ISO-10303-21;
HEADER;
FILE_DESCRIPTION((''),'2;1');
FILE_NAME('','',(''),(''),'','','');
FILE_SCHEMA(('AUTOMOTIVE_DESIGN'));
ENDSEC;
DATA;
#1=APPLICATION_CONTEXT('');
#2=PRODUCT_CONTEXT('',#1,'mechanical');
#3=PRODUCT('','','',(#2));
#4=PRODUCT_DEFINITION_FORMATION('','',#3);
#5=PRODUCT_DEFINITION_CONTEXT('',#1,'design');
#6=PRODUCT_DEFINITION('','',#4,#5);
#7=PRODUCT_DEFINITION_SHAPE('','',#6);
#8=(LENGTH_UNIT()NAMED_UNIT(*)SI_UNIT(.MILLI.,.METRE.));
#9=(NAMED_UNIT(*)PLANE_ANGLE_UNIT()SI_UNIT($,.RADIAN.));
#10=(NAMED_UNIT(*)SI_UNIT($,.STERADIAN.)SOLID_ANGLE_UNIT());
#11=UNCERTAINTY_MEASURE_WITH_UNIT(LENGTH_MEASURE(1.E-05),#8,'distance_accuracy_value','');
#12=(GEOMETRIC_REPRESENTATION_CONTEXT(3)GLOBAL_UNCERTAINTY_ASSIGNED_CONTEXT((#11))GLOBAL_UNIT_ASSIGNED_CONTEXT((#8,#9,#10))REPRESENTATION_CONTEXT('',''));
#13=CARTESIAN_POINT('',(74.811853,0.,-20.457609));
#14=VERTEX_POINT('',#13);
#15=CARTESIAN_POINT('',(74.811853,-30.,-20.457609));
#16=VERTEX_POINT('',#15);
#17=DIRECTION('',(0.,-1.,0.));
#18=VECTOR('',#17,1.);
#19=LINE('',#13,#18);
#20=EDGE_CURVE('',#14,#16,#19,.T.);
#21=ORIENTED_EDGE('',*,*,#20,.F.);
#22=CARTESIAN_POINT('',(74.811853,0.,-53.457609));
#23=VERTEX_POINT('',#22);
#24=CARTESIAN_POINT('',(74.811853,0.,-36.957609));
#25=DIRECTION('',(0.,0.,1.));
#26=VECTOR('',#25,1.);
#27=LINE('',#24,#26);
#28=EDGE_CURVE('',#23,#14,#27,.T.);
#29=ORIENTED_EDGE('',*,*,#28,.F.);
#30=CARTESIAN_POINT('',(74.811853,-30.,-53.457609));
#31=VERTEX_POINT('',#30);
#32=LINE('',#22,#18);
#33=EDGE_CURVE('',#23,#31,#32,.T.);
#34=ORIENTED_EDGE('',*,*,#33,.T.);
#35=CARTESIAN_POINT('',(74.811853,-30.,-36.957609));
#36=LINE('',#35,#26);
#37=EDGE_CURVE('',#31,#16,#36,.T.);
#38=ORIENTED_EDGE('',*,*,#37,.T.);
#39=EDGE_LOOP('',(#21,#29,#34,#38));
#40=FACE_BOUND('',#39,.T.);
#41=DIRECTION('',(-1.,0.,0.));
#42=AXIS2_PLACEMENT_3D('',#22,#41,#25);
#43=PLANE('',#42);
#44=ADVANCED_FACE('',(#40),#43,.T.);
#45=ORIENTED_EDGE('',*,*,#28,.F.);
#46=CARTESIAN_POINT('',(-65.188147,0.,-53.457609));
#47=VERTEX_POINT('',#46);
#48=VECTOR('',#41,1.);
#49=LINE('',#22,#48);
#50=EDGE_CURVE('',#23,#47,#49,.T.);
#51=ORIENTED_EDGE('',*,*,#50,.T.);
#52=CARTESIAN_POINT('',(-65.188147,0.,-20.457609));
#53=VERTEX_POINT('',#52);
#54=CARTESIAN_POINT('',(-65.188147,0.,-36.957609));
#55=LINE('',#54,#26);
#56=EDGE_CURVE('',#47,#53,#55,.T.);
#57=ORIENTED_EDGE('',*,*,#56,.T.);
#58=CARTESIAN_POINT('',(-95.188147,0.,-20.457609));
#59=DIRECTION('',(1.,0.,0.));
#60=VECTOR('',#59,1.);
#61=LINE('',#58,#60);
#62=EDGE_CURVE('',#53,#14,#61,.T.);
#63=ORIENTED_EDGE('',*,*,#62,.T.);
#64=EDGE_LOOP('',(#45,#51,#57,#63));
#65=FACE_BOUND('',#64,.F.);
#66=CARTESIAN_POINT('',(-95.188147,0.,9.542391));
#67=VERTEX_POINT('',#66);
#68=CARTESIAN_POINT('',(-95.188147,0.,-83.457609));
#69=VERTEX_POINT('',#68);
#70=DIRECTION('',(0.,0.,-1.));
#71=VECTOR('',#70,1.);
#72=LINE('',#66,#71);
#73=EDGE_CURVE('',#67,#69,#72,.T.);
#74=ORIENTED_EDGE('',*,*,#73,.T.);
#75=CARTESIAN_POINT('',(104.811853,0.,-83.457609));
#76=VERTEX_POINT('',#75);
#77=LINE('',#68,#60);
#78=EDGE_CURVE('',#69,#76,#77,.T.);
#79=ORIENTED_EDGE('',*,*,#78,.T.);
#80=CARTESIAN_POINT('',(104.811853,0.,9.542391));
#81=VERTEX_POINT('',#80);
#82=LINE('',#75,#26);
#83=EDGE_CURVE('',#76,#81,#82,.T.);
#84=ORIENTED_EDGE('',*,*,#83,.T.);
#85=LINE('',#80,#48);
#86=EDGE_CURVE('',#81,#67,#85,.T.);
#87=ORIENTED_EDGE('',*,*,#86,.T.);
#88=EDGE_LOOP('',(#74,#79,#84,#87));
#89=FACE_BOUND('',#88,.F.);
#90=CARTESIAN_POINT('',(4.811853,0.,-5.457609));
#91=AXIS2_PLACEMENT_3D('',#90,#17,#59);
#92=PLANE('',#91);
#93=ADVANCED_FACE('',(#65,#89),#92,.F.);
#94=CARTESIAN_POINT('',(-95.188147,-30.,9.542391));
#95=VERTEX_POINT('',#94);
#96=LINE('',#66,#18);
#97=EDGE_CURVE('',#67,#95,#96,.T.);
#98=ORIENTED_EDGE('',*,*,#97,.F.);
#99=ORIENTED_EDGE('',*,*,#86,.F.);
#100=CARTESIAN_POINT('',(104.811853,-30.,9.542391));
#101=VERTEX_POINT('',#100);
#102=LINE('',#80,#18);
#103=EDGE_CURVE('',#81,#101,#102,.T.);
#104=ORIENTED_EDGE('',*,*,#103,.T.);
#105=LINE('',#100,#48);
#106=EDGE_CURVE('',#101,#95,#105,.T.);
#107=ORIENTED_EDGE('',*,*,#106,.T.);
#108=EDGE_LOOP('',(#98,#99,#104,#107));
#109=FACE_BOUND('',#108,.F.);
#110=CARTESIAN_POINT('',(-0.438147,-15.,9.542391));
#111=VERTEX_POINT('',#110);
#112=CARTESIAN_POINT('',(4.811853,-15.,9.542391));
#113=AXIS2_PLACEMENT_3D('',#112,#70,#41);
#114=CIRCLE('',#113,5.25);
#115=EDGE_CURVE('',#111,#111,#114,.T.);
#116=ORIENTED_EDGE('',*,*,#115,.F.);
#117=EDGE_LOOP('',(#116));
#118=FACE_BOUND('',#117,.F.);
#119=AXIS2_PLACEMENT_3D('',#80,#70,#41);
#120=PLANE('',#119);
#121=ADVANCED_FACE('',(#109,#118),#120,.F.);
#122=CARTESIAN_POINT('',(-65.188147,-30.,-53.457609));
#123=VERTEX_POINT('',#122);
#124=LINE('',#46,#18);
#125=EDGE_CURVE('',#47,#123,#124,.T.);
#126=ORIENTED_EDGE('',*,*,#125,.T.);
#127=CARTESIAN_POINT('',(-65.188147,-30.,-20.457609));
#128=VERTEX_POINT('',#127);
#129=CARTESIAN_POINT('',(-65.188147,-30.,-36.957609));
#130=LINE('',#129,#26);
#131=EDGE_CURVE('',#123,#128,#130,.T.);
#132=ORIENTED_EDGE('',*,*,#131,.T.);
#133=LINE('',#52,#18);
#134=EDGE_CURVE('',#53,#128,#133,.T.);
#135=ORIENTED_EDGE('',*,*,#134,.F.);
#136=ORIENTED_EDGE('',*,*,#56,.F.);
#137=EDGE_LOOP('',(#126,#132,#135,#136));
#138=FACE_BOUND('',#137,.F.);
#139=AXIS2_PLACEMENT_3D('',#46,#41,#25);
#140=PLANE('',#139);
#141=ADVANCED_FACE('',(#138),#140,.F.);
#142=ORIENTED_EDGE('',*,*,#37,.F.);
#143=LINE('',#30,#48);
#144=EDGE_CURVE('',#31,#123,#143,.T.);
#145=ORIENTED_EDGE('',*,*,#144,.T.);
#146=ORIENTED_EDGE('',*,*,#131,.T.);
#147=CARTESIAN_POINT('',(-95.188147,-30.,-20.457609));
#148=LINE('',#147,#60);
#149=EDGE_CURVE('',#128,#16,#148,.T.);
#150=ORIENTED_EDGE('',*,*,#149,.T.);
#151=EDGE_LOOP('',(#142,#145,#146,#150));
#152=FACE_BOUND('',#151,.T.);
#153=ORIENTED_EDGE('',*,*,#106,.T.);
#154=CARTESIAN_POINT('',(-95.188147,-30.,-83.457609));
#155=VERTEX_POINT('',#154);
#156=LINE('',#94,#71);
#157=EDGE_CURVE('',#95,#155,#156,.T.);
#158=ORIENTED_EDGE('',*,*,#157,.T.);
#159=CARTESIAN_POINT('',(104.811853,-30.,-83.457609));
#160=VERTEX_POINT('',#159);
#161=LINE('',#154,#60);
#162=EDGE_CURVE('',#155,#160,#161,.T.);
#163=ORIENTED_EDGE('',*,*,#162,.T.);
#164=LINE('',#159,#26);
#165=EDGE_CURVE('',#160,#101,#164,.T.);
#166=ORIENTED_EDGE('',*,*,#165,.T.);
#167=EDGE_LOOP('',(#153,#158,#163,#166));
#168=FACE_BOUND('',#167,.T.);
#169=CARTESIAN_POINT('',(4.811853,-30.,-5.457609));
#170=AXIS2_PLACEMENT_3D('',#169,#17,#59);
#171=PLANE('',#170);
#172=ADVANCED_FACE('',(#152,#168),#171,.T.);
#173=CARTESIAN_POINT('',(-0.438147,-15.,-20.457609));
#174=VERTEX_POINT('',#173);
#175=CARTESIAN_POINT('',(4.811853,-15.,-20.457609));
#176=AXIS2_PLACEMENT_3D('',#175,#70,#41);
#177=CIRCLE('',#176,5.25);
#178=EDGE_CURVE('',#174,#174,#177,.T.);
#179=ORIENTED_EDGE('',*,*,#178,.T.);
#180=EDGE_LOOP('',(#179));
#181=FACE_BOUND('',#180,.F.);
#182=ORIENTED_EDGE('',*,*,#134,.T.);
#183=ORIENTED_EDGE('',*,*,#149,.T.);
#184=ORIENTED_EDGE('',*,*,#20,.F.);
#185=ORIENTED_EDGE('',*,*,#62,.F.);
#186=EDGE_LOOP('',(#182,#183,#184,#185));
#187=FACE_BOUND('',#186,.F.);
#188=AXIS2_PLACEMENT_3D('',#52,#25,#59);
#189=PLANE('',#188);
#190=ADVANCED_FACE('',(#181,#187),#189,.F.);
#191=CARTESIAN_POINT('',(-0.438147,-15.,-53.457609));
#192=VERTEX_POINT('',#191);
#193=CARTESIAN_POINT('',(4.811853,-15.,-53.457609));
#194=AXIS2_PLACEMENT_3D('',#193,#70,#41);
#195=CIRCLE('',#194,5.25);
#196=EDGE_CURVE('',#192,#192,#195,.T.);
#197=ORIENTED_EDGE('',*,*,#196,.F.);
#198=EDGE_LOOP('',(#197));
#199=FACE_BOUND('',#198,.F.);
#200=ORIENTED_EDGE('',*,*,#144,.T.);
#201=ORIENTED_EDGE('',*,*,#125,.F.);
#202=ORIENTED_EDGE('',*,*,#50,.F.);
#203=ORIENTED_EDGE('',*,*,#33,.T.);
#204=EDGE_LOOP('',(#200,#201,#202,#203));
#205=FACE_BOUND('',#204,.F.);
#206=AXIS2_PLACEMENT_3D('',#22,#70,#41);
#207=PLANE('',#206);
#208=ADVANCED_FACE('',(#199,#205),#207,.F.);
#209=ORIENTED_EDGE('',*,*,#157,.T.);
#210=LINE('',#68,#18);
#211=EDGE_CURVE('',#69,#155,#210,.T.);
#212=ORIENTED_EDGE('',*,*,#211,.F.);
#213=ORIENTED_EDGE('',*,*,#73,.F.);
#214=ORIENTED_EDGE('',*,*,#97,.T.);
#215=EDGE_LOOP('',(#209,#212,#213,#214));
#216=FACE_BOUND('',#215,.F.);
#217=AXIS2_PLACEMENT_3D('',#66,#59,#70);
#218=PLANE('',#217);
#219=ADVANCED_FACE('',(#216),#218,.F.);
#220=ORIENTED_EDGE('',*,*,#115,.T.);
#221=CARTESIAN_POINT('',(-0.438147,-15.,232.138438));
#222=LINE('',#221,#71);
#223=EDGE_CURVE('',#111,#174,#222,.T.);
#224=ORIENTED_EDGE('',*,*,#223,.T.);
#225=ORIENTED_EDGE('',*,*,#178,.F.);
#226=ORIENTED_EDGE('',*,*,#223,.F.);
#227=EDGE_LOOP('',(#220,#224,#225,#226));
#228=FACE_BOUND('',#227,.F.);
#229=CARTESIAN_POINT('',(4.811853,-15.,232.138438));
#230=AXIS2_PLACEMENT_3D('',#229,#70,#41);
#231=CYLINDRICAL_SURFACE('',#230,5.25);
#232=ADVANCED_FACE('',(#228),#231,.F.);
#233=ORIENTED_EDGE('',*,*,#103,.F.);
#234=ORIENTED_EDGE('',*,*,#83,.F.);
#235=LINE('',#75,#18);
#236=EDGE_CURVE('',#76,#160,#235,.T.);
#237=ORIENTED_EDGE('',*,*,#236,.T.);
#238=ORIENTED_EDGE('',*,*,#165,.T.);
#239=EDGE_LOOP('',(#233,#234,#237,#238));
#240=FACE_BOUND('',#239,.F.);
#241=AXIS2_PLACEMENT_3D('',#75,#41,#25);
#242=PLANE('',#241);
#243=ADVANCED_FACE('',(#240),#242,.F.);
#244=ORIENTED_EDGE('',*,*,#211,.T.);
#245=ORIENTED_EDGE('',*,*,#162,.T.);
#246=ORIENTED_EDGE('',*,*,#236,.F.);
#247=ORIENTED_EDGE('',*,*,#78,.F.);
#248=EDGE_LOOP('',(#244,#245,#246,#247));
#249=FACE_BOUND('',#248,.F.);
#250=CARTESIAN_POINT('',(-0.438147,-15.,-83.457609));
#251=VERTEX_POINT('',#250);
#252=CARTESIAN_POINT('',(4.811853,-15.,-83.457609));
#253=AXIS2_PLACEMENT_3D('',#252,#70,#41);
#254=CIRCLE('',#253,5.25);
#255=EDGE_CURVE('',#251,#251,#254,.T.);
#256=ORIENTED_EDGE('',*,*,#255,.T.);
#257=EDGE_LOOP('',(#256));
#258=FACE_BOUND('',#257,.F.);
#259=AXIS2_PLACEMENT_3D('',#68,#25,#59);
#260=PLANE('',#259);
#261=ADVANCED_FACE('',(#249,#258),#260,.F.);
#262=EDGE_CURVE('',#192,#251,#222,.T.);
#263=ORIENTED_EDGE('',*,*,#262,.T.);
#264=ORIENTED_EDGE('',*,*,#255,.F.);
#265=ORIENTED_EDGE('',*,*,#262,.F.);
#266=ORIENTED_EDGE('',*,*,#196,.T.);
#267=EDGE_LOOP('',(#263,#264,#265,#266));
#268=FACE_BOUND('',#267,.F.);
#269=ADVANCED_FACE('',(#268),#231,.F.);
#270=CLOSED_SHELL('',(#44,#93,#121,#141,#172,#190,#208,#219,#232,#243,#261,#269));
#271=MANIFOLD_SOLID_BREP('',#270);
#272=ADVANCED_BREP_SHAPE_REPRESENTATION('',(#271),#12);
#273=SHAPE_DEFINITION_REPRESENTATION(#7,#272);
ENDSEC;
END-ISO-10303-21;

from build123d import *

# Parameters (mm, degrees)
F0_W     = 30
F0_H     = 33
F1_DEPTH = 30
F3_D     = 10.5


with BuildPart() as f1:
    # F0 (on Front) → F1 (new body)
    with BuildSketch(Plane.XZ):
        Polygon((104.811853, 9.542391), (-95.188147, 9.542391), (-95.188147, -20.457609), (-65.188147, -20.457609), (74.811853, -20.457609), (104.811853, -20.457609), align=None)
        with Locations((-80.188147, -36.957609)):
            Rectangle(F0_W, F0_H)
        with Locations((89.811853, -36.957609)):
            Rectangle(F0_W, F0_H)
        Polygon((-65.188147, -53.457609), (-95.188147, -53.457609), (-95.188147, -83.457609), (104.811853, -83.457609), (104.811853, -53.457609), (74.811853, -53.457609), align=None)
    extrude(amount=F1_DEPTH)

    # F3 (through all)
    with Locations(Plane.XY.offset(9.542391)):
        with Locations((4.811853, -15)):
            Hole(F3_D / 2)


solid = f1.part
